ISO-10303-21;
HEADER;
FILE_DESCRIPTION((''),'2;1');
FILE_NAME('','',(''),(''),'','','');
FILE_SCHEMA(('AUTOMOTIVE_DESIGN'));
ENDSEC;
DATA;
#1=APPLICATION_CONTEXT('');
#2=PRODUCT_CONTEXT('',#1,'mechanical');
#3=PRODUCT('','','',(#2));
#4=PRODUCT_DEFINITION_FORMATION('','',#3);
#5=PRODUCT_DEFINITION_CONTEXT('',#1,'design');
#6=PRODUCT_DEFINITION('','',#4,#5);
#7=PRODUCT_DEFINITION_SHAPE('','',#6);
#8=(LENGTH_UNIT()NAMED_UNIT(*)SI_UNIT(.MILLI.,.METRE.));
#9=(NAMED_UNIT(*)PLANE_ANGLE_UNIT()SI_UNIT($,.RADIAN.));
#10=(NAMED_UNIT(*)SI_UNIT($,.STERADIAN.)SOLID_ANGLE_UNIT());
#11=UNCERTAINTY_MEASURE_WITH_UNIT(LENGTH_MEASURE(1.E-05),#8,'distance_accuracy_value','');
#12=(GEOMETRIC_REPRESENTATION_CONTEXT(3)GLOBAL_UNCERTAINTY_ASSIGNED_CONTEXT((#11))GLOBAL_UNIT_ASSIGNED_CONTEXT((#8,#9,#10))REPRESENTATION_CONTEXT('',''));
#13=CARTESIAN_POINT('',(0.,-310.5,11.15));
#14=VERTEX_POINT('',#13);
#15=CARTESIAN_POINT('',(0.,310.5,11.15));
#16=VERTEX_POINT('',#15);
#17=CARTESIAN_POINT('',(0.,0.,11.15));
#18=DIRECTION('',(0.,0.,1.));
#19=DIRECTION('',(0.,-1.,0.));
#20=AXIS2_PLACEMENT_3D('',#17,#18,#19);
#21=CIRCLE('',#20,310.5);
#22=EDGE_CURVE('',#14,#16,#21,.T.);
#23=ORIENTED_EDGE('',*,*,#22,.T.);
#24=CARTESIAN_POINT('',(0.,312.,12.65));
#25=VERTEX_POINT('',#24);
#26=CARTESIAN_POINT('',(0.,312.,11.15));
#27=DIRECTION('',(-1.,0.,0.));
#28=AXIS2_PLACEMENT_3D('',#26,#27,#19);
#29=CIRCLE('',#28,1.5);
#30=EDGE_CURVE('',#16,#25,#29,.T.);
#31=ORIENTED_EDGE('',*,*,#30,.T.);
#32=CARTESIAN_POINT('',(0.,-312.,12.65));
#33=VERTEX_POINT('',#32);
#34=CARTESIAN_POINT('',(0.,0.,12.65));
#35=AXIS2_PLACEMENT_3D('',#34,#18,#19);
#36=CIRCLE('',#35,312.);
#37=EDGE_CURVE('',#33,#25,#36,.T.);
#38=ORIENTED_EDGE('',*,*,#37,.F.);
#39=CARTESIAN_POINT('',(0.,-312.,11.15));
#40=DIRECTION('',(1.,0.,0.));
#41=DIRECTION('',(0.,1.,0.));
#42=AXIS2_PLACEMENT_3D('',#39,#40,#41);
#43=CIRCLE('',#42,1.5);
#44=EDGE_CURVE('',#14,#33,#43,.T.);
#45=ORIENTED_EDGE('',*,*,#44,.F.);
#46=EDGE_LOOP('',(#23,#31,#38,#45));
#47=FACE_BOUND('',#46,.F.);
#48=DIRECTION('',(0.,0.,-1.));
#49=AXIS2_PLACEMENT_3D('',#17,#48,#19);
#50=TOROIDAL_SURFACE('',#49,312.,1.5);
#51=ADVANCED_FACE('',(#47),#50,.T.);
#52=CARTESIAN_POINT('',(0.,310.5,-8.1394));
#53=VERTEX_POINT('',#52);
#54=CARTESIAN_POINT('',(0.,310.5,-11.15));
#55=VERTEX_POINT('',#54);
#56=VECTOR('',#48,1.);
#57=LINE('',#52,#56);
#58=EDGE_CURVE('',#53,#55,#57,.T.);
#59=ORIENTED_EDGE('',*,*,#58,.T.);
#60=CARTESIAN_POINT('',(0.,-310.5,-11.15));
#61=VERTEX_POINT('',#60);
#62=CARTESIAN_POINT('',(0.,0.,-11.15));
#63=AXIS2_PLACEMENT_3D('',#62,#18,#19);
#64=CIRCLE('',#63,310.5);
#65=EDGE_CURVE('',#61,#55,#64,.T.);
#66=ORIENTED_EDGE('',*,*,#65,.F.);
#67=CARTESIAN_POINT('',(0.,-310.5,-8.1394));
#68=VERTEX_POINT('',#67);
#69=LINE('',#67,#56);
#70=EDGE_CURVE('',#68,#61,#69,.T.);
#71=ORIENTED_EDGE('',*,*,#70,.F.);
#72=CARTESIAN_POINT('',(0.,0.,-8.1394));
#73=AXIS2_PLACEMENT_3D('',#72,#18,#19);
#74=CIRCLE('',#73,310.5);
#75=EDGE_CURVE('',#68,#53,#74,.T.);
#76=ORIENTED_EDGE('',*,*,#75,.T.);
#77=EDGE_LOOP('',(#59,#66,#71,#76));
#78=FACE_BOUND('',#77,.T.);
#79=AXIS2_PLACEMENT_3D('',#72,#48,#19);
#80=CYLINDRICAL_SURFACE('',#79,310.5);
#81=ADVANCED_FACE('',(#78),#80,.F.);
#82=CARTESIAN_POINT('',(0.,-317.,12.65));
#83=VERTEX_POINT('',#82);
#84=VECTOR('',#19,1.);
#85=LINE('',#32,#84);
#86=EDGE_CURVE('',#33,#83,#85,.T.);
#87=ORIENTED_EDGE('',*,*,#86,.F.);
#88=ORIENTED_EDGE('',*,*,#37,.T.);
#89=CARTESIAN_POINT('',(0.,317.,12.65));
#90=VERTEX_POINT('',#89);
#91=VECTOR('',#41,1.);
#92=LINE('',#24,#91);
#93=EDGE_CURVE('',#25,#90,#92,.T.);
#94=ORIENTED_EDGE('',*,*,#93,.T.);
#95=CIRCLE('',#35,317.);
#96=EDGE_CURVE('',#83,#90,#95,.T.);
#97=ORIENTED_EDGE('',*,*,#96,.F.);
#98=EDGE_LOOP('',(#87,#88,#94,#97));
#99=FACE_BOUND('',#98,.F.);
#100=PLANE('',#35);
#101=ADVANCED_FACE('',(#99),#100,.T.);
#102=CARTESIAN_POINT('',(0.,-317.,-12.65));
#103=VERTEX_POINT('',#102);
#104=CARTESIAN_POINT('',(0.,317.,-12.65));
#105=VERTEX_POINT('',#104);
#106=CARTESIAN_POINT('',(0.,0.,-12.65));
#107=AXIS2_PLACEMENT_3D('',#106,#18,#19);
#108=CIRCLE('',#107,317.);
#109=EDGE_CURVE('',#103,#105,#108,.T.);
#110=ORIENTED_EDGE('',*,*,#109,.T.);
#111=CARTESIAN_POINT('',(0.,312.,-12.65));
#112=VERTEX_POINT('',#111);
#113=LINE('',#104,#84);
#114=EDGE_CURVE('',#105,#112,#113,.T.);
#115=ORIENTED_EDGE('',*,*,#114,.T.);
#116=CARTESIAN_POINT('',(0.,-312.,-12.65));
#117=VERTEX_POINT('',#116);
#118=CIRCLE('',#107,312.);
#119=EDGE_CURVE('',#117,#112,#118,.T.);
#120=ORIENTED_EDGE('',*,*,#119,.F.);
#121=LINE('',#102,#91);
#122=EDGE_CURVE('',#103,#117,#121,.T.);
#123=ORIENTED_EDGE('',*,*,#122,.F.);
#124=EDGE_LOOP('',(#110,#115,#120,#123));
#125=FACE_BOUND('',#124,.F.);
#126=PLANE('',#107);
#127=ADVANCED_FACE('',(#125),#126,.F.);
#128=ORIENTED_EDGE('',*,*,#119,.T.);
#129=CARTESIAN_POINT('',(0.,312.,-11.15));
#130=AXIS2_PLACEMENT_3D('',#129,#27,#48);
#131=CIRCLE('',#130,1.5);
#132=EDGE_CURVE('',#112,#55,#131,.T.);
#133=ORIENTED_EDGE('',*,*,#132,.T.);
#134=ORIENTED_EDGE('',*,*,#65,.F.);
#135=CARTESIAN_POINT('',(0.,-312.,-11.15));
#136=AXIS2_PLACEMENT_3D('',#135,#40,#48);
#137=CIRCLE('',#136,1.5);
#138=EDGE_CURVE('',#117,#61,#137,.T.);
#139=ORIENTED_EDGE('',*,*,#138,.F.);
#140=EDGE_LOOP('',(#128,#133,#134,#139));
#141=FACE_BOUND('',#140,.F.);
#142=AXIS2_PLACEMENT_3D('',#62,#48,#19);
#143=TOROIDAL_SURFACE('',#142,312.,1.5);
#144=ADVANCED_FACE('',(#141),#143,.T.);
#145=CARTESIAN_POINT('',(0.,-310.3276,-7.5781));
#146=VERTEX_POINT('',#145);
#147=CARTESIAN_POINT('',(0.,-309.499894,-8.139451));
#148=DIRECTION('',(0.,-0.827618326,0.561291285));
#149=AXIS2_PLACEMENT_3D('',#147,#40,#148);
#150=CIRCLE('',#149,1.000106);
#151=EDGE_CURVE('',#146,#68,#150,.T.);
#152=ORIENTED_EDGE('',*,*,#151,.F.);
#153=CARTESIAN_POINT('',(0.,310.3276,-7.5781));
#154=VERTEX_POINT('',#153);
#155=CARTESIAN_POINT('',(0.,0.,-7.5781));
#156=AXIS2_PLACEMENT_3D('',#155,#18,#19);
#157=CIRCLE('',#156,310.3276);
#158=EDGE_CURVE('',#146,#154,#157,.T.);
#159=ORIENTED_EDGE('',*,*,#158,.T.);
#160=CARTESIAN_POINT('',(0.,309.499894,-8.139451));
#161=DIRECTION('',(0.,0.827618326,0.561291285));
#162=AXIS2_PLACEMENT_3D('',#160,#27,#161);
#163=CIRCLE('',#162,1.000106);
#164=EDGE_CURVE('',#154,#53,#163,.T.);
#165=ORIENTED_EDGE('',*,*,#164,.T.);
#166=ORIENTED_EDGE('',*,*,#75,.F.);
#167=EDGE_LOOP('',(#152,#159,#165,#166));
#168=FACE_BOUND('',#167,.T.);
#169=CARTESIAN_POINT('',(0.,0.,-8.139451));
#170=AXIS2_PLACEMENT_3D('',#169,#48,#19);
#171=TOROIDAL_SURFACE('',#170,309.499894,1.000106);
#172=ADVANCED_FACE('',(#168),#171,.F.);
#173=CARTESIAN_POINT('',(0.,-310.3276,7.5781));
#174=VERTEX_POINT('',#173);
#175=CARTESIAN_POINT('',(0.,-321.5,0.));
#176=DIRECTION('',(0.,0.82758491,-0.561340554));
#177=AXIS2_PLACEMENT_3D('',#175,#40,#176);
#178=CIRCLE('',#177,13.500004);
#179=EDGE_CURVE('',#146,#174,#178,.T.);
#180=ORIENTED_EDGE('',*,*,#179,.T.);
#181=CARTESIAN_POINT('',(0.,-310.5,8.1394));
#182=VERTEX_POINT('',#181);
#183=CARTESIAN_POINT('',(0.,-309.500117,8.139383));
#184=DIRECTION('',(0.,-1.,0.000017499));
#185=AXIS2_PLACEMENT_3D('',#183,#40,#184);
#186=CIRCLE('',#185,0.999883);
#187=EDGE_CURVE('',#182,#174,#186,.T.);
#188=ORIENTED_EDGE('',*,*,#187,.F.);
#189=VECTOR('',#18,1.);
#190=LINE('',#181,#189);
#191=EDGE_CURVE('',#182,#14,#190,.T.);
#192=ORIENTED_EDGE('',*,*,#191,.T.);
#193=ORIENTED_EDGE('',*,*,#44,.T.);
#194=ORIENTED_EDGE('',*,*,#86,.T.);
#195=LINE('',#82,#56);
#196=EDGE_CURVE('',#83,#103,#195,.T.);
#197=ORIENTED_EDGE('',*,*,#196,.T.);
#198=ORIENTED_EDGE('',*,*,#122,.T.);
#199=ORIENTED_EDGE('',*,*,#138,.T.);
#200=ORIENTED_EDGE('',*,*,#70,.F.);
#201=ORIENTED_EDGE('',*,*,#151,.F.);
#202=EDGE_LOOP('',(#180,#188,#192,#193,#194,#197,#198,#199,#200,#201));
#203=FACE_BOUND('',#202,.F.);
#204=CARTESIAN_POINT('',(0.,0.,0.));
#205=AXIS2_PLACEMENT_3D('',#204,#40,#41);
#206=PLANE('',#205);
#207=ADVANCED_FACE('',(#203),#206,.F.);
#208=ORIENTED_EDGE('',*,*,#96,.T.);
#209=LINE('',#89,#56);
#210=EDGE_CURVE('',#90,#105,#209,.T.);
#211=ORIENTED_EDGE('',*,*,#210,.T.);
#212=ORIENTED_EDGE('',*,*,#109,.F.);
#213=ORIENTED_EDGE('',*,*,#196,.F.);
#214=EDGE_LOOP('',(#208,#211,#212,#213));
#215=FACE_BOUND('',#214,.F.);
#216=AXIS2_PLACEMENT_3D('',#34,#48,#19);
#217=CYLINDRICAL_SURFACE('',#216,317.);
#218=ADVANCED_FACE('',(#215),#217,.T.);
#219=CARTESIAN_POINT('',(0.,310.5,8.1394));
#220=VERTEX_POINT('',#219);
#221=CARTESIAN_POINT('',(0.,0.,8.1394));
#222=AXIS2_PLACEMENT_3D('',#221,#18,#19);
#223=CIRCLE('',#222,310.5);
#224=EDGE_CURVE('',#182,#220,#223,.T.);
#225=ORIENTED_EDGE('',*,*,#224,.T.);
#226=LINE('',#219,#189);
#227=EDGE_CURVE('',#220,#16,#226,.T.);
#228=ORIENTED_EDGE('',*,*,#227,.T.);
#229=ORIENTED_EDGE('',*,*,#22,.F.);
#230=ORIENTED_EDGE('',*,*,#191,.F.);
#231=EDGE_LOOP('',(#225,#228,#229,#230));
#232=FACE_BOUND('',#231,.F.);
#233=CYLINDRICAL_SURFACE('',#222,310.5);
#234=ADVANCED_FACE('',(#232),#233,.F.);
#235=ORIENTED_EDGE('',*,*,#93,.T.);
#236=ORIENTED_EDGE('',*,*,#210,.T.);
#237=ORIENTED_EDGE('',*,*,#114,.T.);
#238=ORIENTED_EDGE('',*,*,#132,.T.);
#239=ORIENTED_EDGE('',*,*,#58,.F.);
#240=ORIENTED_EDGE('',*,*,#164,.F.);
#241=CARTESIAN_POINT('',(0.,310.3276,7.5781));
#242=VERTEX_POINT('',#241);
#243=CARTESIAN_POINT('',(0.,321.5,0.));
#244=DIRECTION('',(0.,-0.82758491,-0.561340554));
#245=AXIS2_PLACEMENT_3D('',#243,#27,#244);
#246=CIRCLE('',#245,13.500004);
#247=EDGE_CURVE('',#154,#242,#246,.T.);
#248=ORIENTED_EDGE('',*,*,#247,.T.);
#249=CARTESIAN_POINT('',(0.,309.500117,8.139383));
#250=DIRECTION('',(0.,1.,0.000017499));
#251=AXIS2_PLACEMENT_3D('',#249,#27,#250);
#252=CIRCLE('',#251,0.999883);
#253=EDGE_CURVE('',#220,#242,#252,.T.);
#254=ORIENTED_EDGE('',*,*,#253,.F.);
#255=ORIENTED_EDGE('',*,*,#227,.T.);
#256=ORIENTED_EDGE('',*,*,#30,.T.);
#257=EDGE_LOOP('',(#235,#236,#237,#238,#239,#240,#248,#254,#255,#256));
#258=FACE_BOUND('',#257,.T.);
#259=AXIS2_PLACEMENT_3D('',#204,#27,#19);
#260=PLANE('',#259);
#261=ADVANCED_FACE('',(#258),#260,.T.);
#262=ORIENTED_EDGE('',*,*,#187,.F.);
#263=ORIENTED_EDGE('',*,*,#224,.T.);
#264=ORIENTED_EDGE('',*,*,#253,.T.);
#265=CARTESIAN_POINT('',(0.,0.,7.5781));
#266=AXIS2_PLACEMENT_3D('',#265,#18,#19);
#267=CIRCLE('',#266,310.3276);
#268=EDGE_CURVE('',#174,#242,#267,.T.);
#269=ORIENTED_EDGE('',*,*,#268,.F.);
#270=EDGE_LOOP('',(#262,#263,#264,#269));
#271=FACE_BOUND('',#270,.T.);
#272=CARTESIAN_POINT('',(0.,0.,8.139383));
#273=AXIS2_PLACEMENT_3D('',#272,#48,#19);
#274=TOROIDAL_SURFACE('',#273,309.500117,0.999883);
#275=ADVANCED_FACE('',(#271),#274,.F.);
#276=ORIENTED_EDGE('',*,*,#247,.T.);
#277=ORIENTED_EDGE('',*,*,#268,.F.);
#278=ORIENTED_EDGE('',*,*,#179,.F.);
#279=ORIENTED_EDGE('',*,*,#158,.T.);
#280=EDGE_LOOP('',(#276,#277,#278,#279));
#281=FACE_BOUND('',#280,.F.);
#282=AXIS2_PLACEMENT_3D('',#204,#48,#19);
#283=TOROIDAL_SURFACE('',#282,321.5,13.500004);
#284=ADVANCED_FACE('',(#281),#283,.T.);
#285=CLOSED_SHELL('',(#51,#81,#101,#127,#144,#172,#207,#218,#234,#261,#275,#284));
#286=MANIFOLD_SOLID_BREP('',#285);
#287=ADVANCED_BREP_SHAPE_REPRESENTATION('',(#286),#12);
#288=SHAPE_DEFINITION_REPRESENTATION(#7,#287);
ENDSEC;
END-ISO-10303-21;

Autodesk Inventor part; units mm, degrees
ref_plane "YZ Plane" through (0, 0, 0) normal (1, 0, 0) x (0, 1, 0)
ref_plane "XZ Plane" through (0, 0, 0) normal (0, 1, 0) x (-1, 0, 0)
ref_plane "XY Plane" through (0, 0, 0) normal (0, 0, 1) x (1, 0, 0)
sketch "草圖1" plane through (0, 0, 0) normal (1, 0, 0) x (0, 1, 0)
  line L0 (-312, 12.65) -> (-317, 12.65)
  line L1 (-317, 12.65) -> (-317, -12.65)
  line L2 (-317, -12.65) -> (-312, -12.65)
  line L3 (-308, -12.65) -> (-308, 12.65) construction
  arc A0 (-310.3276, -7.5781) -> (-310.3276, 7.5781) centre (-321.5, 0) ccw
  line L4 (-310.5, -8.1394) -> (-310.5, -11.15)
  line L5 (-310.5, 8.1394) -> (-310.5, 11.15)
  arc A1 (-310.3276, -7.5781) -> (-310.5, -8.1394) centre (-309.5, -8.1394) ccw
  arc A2 (-310.5, 8.1394) -> (-310.3276, 7.5781) centre (-309.5, 8.1394) ccw
  arc A3 (-312, -12.65) -> (-310.5, -11.15) centre (-312, -11.15) ccw
  arc A4 (-310.5, 11.15) -> (-312, 12.65) centre (-312, 11.15) ccw
  line L6 (0, 0) -> (0, 24.9603) construction
  dimension "d0" = 317
  dimension "d1" = 9
  dimension "d2" = 12.65
  dimension "d3" = 25.3
  dimension "d4" = 27
  dimension "d5" = 0
  dimension "d6" = 2.5
  dimension "d7" = 2.5
  dimension "d8" = 2
  dimension "d9" = 2
  dimension "d10" = 3
  dimension "d11" = 3
revolve "迴轉1" add sketch "草圖1" angle 180 about axis through (0, 0, 0) along (0, 0, 1)
properties part number "異形橡膠圈-半圓"
